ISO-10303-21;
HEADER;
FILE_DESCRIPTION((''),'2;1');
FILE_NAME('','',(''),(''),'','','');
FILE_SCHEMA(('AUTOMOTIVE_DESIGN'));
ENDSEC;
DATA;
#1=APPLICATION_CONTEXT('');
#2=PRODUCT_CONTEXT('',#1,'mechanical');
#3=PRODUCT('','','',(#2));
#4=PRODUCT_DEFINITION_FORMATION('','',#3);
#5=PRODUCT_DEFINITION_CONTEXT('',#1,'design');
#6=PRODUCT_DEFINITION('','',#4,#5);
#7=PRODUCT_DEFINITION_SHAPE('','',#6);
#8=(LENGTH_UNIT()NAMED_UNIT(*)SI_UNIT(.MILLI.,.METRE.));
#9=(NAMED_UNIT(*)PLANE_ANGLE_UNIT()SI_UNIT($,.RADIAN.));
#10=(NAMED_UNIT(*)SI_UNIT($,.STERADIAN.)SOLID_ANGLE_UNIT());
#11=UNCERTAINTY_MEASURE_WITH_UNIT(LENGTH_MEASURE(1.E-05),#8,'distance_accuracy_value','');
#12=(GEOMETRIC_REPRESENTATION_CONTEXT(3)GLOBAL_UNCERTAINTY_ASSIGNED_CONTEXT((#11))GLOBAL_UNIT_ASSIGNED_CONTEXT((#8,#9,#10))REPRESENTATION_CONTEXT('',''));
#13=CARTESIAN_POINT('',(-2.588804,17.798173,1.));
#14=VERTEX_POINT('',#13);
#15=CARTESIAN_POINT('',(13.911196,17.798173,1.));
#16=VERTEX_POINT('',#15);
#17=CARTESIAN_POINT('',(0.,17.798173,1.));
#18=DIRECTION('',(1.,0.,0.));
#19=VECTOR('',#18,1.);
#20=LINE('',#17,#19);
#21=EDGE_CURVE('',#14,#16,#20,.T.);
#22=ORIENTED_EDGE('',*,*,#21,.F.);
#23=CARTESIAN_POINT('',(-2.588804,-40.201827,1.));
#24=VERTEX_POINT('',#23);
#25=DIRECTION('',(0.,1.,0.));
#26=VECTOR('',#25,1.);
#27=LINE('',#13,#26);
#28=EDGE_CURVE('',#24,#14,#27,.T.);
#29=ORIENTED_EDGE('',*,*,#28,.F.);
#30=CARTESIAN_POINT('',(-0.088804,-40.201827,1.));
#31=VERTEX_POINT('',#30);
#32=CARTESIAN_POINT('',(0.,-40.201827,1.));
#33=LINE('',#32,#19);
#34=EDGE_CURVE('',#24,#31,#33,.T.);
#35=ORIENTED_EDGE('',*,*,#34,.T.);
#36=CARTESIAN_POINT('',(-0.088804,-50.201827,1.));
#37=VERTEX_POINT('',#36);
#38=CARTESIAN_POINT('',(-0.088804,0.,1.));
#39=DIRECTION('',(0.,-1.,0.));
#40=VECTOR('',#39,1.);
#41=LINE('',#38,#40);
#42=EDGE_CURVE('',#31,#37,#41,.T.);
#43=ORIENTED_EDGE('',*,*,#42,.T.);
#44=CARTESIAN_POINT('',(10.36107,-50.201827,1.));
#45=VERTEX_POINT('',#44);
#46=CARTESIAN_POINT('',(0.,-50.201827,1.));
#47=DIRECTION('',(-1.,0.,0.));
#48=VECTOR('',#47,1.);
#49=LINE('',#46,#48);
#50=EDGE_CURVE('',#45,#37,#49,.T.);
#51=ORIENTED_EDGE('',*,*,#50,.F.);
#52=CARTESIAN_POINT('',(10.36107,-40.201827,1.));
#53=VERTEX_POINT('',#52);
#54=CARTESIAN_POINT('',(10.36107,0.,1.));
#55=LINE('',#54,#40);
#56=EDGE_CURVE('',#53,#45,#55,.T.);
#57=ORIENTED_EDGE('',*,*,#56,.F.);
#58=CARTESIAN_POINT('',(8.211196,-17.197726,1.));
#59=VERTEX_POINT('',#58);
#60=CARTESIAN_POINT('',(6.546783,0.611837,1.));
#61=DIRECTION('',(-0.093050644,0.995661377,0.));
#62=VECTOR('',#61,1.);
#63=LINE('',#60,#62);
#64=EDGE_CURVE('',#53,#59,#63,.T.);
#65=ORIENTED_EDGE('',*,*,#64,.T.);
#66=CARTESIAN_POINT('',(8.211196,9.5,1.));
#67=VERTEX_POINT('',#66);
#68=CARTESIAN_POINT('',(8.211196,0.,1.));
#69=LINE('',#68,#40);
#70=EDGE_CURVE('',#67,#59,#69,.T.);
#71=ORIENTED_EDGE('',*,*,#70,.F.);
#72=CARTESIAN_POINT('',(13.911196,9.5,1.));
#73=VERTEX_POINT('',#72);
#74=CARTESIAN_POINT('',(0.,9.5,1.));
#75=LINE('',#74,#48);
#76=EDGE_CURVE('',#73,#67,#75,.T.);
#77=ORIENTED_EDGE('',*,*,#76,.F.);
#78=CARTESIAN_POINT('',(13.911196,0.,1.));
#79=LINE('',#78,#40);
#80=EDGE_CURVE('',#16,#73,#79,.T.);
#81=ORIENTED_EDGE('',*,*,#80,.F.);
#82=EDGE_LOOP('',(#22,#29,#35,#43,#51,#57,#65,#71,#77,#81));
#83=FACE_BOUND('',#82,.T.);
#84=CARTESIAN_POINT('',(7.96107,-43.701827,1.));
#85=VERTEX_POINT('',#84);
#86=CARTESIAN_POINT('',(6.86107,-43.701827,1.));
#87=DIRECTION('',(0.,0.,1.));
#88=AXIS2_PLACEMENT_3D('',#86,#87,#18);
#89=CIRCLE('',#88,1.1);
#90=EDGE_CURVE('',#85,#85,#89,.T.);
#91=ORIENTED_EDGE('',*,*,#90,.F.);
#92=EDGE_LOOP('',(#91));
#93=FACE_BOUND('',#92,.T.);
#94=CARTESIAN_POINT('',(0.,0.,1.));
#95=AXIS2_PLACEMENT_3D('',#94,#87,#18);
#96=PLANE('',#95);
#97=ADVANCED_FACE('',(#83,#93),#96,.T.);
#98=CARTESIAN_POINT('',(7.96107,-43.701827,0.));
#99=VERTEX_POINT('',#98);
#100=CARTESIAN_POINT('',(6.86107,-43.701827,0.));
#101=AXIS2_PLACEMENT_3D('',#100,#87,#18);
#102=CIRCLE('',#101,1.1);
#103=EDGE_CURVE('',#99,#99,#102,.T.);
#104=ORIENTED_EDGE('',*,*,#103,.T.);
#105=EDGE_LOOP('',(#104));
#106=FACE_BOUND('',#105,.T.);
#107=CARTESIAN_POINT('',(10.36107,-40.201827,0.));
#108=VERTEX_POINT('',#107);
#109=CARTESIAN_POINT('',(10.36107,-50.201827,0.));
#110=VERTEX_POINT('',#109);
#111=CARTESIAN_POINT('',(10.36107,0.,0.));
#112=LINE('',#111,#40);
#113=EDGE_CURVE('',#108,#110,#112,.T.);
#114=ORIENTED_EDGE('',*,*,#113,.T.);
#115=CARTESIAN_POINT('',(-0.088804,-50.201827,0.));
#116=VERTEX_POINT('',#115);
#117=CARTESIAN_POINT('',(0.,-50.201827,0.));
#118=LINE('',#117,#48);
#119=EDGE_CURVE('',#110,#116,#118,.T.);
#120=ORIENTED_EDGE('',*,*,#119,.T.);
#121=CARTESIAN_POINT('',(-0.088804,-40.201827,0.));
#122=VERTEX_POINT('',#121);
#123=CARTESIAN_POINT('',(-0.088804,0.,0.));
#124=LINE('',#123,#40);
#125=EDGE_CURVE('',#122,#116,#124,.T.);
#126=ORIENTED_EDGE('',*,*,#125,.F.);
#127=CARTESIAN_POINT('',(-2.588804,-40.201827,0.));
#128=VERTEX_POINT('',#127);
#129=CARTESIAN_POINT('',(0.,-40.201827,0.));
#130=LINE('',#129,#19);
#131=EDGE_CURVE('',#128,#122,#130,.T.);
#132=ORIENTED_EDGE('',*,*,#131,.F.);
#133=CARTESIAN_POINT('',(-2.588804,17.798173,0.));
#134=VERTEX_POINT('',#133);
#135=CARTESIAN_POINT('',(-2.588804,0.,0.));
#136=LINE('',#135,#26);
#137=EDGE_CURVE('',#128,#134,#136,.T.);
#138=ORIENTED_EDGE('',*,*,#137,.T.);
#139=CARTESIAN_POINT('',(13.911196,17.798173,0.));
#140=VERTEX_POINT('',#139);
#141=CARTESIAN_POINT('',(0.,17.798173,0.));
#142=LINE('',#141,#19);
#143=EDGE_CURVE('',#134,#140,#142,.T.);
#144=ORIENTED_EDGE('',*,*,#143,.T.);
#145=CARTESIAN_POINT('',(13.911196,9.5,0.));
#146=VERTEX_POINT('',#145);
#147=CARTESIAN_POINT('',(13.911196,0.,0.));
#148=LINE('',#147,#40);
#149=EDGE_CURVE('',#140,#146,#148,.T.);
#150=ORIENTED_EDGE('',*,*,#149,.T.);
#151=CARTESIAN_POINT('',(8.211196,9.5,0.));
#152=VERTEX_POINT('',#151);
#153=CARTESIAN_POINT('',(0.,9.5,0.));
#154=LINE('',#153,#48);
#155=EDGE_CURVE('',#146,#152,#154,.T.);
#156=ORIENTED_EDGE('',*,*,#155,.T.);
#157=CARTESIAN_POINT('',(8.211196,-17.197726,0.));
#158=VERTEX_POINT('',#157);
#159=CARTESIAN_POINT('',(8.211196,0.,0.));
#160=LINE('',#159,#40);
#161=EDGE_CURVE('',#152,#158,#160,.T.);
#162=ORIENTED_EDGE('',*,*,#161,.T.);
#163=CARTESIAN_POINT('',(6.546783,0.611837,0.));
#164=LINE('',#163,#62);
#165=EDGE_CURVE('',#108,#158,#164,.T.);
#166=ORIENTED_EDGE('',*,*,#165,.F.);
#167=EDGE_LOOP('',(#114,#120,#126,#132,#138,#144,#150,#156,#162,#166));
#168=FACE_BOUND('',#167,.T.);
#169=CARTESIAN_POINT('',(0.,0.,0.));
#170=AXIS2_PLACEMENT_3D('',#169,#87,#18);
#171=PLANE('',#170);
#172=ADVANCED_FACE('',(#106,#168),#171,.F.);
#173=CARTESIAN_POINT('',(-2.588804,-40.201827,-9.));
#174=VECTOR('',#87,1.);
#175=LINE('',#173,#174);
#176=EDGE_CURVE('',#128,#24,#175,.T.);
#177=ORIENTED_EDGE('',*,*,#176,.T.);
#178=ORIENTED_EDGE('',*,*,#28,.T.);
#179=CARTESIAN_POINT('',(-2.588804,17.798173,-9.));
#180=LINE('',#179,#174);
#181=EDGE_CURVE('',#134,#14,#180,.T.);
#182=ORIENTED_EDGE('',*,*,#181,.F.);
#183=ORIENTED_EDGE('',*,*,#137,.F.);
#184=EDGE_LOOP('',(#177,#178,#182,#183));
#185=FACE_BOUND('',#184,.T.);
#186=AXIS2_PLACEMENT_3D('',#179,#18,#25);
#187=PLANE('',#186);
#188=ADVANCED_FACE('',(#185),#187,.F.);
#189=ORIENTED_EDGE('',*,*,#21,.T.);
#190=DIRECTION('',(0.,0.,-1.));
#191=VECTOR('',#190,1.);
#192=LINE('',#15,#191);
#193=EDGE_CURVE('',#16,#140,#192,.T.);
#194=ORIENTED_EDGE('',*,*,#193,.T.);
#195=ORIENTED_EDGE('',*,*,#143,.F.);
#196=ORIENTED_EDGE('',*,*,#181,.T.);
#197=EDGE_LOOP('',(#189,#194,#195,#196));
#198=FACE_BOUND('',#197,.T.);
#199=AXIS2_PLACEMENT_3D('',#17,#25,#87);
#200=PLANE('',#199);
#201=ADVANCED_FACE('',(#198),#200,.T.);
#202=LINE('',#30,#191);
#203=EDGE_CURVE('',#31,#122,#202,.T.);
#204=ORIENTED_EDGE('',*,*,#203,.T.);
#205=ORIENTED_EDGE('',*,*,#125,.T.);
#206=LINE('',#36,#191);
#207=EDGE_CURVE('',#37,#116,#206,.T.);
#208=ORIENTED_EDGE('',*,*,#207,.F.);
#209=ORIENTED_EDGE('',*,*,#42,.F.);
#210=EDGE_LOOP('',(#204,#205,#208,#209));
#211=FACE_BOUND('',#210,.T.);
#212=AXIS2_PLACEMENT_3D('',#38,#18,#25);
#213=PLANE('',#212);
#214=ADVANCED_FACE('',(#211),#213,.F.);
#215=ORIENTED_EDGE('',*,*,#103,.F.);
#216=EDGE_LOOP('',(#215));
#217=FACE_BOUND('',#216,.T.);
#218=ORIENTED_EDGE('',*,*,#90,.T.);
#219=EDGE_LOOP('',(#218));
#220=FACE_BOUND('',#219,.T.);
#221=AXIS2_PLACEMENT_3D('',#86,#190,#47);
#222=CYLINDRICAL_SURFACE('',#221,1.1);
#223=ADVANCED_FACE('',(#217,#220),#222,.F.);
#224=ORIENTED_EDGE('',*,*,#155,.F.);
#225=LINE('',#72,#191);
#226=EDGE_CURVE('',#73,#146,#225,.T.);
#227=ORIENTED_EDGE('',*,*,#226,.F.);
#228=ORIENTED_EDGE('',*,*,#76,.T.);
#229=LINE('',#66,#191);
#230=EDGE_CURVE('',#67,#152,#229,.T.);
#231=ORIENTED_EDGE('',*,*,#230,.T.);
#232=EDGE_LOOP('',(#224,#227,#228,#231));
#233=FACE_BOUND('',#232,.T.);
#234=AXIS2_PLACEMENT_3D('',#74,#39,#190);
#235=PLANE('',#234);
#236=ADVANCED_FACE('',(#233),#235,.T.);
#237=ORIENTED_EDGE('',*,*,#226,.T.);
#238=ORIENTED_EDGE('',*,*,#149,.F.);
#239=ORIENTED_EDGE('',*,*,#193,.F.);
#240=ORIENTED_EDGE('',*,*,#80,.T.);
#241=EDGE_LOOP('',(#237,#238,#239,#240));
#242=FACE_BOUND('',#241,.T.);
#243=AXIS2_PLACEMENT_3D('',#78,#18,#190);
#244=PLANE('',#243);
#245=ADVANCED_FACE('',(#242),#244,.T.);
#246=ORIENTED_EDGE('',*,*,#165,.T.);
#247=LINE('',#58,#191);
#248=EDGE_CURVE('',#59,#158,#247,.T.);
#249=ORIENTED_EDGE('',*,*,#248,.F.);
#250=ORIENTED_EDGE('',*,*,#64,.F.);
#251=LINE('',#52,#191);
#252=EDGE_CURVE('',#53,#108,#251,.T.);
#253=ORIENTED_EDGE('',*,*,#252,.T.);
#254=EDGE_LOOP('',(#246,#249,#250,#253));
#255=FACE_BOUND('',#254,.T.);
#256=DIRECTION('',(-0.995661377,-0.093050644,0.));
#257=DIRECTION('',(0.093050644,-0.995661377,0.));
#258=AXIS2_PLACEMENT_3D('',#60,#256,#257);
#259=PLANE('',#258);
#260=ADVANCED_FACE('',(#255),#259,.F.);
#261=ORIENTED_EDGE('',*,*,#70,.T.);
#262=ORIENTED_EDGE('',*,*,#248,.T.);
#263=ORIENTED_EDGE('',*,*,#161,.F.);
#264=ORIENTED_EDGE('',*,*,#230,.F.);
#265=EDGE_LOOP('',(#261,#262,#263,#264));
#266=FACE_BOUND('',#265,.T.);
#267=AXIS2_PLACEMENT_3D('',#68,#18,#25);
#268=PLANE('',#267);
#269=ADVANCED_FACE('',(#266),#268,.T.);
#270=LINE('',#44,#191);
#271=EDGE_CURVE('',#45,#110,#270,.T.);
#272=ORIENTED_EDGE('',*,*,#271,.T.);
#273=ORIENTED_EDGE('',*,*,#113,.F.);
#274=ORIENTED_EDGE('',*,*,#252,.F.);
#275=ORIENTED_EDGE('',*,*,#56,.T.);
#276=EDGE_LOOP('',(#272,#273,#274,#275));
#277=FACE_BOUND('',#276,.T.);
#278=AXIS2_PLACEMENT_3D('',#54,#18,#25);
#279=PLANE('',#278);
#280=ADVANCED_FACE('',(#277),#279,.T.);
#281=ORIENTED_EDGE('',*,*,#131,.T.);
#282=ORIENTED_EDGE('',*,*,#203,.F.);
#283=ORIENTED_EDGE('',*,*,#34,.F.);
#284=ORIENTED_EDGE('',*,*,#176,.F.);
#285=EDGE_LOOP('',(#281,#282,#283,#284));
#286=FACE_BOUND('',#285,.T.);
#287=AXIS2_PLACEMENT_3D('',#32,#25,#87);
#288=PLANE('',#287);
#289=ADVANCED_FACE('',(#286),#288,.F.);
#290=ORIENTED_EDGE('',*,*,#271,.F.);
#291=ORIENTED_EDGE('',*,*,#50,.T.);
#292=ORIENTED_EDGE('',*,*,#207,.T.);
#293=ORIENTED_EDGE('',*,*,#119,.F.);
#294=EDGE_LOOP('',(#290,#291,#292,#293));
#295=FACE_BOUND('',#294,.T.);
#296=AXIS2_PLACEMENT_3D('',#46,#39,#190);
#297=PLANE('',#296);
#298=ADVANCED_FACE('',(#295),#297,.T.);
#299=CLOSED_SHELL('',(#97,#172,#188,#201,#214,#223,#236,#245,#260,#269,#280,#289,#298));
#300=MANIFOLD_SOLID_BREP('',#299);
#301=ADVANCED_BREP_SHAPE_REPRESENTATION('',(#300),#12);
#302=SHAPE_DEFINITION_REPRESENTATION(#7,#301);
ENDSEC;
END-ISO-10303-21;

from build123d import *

# Parameters (mm, degrees)
EXTRUDE_2_DEPTH     = 1
SKETCH_1_5_W        = 5.5
SKETCH_1_5_H        = 10
SKETCH_1_5_W_2      = 4.949873967
SKETCH_1_5_R        = 1.1
EXTRUDE_3_DEPTH     = 1
SKETCH_3_W          = 3
SKETCH_3_H          = 58
CUT_EXTRUDE_1_DEPTH = 10


with BuildPart() as part:
    # 草图1 → 凸台-拉伸2 (new body)
    with BuildSketch(Plane.XY):
        Polygon((-5.588804059, 13.118731113), (-5.588804059, -12.701827406), (-5.588804059, -40.201827406), (-0.088804059, -40.201827406), (5.411195941, -40.201827406), (10.361069908, -40.201827406), (8.211195941, -17.197725842), (8.211195941, 9.5), (13.911195941, 9.5), (13.911195941, 12.5), (13.911195941, 17.798172594), (-5.588804059, 17.798172594), align=None)
    extrude(amount=EXTRUDE_2_DEPTH)

    # 草图1<5> → 凸台-拉伸3 (add)
    # profile 1 of 3: a face of its own
    with BuildSketch(Plane.XY):
        Polygon((-5.588804059, 13.118731113), (-5.588804059, -12.701827406), (-5.588804059, -40.201827406), (-0.088804059, -40.201827406), (5.411195941, -40.201827406), (10.361069908, -40.201827406), (8.211195941, -17.197725842), (8.211195941, 9.5), (13.911195941, 9.5), (13.911195941, 12.5), (13.911195941, 17.798172594), (-5.588804059, 17.798172594), align=None)
    # profile 2 of 3: a face of its own
    with BuildSketch(Plane.XY):
        with Locations((2.661195941, -45.201827406)):
            Rectangle(SKETCH_1_5_W, SKETCH_1_5_H)
    # profile 3 of 3: a face of its own
    with BuildSketch(Plane.XY):
        with Locations((7.886132925, -45.201827406)):
            Rectangle(SKETCH_1_5_W_2, SKETCH_1_5_H)
        with Locations((6.861069908, -43.701827406)):
            Circle(SKETCH_1_5_R, mode=Mode.SUBTRACT)
    extrude(amount=EXTRUDE_3_DEPTH)

    # 草图3 → 切除-拉伸1 (cut)
    with BuildSketch(Plane.XY.offset(1)):
        with Locations((-4.088804059, -11.201827406)):
            Rectangle(SKETCH_3_W, SKETCH_3_H)
    extrude(amount=-CUT_EXTRUDE_1_DEPTH, mode=Mode.SUBTRACT)


solid = part.part
